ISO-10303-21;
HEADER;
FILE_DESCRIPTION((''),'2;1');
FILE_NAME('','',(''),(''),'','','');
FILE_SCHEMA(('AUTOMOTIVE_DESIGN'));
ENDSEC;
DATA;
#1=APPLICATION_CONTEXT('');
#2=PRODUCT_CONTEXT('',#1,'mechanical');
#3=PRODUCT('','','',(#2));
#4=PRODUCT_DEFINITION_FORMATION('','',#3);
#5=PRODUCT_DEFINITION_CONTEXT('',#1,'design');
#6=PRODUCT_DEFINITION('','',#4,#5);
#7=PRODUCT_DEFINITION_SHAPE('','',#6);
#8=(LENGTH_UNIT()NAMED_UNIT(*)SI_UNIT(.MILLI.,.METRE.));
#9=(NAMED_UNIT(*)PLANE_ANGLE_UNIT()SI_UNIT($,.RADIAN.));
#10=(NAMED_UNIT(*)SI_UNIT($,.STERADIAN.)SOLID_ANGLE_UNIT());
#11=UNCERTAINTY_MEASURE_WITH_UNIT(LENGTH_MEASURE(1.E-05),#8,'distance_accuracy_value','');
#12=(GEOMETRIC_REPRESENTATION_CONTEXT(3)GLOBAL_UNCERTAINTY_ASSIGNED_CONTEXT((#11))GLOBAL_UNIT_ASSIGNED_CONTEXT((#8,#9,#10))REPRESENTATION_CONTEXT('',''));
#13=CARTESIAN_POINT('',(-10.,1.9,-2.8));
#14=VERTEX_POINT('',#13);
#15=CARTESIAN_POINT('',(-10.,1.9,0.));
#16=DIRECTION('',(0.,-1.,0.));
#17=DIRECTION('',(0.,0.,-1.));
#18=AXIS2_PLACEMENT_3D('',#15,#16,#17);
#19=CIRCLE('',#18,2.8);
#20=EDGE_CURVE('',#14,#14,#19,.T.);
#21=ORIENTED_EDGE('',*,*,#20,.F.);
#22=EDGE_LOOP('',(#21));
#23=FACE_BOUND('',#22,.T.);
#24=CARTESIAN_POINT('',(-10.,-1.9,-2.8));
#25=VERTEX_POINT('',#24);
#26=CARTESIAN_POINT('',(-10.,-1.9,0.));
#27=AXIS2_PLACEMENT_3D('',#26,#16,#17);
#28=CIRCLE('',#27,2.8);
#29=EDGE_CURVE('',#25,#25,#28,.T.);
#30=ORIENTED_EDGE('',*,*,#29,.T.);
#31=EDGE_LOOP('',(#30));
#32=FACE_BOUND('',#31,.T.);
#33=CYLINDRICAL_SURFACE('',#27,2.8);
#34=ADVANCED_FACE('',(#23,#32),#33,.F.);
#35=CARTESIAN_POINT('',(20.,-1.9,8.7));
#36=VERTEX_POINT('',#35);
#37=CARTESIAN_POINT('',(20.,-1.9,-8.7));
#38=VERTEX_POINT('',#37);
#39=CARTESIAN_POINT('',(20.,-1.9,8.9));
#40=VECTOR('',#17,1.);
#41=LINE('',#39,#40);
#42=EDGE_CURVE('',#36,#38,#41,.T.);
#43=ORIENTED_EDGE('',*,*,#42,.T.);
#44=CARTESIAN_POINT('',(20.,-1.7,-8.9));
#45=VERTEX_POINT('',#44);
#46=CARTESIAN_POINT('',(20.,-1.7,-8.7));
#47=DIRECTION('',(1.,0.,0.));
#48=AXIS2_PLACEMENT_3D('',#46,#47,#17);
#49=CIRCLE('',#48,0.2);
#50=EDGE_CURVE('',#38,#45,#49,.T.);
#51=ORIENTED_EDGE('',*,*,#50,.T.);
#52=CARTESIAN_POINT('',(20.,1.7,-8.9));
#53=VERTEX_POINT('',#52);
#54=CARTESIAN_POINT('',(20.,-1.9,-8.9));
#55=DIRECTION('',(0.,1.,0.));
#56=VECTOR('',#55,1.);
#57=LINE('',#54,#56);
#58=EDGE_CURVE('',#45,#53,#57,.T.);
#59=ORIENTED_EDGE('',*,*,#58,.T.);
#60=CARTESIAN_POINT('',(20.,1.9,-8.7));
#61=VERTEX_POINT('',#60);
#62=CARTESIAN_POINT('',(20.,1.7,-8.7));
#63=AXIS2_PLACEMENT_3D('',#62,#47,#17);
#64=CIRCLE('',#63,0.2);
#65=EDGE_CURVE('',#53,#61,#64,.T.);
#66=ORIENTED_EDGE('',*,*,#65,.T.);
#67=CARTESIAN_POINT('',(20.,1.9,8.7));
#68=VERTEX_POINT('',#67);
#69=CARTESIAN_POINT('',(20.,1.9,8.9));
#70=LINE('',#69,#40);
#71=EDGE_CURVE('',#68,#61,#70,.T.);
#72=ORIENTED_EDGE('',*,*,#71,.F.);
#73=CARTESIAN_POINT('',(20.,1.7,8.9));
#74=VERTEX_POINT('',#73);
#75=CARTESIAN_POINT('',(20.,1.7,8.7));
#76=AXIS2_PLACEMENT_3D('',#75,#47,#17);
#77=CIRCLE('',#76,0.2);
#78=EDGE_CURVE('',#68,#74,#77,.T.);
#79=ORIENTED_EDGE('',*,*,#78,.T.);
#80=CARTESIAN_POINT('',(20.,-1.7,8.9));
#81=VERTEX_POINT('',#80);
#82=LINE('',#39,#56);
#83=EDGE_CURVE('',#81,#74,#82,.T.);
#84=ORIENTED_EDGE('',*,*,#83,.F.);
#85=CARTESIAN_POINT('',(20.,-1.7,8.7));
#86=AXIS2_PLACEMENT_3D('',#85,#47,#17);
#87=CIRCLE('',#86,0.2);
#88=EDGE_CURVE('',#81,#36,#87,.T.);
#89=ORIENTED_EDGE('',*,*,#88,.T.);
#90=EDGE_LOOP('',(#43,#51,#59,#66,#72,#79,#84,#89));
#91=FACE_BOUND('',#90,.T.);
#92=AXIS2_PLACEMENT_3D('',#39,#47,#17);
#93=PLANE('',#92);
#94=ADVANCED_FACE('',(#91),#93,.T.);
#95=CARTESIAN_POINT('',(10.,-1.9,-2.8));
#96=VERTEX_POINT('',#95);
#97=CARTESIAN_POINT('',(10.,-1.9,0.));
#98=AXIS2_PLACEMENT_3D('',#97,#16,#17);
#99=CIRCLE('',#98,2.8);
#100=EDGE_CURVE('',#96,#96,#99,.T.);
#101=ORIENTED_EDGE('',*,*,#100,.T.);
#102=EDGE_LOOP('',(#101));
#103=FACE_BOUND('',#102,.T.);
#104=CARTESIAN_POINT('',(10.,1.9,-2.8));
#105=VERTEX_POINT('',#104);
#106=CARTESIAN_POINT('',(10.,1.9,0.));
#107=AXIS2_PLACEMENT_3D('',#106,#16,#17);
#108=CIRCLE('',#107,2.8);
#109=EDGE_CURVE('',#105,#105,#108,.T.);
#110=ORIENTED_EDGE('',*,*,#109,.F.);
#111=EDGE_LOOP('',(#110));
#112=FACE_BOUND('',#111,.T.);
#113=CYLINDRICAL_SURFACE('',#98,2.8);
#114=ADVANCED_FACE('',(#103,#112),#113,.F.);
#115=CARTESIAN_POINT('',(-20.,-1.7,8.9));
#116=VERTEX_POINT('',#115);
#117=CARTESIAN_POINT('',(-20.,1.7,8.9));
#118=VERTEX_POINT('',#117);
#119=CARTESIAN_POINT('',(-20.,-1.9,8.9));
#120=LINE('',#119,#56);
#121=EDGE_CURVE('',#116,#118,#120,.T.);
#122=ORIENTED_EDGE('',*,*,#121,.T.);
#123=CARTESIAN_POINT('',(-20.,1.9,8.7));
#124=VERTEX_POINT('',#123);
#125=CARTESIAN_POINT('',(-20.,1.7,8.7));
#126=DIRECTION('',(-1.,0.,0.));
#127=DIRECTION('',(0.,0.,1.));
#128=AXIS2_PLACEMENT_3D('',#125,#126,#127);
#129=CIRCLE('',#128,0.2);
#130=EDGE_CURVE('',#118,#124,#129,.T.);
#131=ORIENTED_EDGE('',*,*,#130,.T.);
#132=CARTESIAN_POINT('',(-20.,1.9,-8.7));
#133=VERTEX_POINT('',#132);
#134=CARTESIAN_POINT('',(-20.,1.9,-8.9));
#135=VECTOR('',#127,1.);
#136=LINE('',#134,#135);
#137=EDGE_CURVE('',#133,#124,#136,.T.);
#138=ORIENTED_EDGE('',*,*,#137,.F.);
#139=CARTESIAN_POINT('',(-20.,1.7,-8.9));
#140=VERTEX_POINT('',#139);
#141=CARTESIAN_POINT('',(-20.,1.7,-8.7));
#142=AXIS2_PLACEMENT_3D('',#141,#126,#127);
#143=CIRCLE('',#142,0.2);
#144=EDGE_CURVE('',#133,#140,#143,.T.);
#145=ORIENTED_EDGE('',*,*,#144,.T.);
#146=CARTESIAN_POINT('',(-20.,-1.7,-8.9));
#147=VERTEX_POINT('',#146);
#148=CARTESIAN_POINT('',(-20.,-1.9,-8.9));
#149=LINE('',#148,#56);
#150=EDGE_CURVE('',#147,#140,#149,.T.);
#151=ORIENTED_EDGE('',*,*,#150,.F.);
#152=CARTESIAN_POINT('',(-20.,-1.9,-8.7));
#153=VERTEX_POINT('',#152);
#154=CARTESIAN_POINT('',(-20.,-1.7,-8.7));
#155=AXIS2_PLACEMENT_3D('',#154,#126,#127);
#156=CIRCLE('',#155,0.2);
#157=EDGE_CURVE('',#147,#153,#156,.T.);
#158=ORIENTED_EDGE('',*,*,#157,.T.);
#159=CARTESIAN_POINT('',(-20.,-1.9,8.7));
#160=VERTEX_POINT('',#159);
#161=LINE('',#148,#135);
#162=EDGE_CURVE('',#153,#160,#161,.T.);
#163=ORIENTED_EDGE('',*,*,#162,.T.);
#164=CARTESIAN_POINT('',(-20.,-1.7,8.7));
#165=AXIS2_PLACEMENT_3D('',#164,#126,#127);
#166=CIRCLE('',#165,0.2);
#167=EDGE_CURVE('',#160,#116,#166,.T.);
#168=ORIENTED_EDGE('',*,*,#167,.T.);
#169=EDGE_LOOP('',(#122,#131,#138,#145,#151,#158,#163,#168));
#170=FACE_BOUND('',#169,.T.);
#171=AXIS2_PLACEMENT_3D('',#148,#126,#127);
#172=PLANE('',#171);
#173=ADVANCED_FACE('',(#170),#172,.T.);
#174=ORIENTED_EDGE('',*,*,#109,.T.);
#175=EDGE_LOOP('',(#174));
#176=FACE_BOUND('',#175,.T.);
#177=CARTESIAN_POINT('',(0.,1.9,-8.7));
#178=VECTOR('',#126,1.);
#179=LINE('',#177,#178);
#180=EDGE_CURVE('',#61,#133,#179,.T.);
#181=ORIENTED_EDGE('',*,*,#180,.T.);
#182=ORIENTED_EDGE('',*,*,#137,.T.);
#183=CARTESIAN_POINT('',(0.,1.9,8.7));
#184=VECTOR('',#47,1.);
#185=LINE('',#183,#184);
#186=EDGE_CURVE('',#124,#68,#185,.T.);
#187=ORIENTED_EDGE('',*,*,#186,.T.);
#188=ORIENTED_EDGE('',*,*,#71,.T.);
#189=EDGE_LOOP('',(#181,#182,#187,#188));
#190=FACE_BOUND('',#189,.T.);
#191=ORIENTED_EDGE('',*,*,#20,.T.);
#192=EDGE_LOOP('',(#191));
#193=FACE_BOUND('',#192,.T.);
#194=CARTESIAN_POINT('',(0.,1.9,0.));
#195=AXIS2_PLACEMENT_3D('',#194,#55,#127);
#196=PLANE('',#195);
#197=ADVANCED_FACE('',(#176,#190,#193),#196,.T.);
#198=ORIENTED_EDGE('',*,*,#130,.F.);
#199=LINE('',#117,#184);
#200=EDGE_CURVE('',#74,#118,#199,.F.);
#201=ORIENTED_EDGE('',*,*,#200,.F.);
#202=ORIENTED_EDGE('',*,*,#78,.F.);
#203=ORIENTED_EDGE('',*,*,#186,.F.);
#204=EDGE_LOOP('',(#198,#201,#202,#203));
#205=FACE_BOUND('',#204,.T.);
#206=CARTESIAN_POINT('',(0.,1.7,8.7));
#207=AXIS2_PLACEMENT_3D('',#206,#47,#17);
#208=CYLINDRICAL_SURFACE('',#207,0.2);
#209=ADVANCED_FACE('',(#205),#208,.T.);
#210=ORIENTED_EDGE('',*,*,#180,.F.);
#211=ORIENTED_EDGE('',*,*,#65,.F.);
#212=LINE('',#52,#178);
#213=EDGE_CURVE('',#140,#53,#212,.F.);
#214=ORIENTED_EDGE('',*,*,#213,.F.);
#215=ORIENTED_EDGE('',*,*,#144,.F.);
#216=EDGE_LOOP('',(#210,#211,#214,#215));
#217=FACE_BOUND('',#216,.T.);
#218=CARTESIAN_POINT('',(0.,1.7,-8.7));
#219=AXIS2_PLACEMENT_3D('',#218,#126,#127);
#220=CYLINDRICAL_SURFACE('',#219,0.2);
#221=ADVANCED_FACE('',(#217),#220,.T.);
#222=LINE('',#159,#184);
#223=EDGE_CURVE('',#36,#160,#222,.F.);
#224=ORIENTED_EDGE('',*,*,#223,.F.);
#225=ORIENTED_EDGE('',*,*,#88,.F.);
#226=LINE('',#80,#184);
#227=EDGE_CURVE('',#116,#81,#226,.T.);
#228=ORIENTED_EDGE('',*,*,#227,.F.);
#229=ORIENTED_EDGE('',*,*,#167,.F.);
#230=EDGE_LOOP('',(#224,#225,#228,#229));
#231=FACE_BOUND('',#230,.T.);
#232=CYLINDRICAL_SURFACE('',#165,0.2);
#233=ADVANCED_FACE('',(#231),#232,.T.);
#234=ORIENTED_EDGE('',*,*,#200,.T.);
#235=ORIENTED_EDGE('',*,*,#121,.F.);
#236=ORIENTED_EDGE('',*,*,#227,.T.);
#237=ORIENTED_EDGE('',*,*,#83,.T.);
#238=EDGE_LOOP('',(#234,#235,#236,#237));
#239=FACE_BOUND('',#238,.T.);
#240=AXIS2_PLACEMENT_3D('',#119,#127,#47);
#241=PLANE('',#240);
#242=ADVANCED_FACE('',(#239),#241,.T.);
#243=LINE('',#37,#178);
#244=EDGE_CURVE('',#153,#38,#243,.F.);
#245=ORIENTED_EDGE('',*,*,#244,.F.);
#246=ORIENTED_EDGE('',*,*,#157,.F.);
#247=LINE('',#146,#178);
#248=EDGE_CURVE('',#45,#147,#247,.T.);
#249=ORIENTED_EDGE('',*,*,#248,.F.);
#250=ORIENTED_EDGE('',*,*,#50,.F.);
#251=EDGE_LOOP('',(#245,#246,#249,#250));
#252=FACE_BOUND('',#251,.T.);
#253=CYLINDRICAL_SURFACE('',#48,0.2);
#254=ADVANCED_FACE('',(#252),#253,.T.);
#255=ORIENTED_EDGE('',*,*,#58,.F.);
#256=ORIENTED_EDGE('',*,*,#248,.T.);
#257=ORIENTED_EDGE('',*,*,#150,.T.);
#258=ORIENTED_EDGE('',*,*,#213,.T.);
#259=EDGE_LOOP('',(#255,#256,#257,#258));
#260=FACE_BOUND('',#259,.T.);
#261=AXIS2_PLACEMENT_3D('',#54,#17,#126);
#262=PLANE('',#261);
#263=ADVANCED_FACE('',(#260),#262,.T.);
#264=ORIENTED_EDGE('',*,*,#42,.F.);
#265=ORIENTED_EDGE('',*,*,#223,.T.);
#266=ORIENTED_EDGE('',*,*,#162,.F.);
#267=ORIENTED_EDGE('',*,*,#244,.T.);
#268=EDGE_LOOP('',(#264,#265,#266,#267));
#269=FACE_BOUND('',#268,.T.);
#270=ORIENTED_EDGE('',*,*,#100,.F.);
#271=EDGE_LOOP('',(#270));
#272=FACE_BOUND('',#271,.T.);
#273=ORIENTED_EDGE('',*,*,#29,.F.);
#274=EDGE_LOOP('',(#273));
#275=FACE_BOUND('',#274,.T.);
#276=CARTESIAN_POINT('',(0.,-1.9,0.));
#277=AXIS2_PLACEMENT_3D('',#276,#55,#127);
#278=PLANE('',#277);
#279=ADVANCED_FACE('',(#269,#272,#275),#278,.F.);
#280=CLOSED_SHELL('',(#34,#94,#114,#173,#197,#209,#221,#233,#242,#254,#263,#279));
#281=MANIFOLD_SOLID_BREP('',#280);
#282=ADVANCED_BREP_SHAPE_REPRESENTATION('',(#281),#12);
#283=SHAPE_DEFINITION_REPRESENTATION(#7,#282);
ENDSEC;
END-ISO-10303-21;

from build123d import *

# Parameters (mm, degrees)
SKETCH1_W                      = 40
SKETCH1_H                      = 17.8
BOSS_EXTRUDE1_DEPTH            = 3.8
F_5_6_5_6_DIAMETER_HOLE1_D     = 5.6
F_5_6_5_6_DIAMETER_HOLE1_DEPTH = 3.8
FILLET1_R                      = 0.2


with BuildPart() as part:
    # Sketch1 → Boss-Extrude1 (new body)
    with BuildSketch(Plane(origin=(0, 1.9, 0), x_dir=(1, 0, 0), z_dir=(0, 1, 0))):
        Rectangle(SKETCH1_W, SKETCH1_H)
    extrude(amount=-BOSS_EXTRUDE1_DEPTH)

    # Ø5.6 (5.6) Diameter Hole1
    with Locations(Plane(origin=(0, -1.9, 0), x_dir=(-1, 0, 0), z_dir=(0, -1, 0))):
        with Locations((10, 0), (-10, 0)):
            Hole(F_5_6_5_6_DIAMETER_HOLE1_D / 2, depth=F_5_6_5_6_DIAMETER_HOLE1_DEPTH)

    # Fillet1
    fillet1_edges = [part.edges().sort_by_distance(p)[0] for p in [
        (0, -1.9, -8.9),
        (0, -1.9, 8.9),
        (0, 1.9, -8.9),
        (0, 1.9, 8.9),
    ]]
    fillet(fillet1_edges, radius=FILLET1_R)


solid = part.part
